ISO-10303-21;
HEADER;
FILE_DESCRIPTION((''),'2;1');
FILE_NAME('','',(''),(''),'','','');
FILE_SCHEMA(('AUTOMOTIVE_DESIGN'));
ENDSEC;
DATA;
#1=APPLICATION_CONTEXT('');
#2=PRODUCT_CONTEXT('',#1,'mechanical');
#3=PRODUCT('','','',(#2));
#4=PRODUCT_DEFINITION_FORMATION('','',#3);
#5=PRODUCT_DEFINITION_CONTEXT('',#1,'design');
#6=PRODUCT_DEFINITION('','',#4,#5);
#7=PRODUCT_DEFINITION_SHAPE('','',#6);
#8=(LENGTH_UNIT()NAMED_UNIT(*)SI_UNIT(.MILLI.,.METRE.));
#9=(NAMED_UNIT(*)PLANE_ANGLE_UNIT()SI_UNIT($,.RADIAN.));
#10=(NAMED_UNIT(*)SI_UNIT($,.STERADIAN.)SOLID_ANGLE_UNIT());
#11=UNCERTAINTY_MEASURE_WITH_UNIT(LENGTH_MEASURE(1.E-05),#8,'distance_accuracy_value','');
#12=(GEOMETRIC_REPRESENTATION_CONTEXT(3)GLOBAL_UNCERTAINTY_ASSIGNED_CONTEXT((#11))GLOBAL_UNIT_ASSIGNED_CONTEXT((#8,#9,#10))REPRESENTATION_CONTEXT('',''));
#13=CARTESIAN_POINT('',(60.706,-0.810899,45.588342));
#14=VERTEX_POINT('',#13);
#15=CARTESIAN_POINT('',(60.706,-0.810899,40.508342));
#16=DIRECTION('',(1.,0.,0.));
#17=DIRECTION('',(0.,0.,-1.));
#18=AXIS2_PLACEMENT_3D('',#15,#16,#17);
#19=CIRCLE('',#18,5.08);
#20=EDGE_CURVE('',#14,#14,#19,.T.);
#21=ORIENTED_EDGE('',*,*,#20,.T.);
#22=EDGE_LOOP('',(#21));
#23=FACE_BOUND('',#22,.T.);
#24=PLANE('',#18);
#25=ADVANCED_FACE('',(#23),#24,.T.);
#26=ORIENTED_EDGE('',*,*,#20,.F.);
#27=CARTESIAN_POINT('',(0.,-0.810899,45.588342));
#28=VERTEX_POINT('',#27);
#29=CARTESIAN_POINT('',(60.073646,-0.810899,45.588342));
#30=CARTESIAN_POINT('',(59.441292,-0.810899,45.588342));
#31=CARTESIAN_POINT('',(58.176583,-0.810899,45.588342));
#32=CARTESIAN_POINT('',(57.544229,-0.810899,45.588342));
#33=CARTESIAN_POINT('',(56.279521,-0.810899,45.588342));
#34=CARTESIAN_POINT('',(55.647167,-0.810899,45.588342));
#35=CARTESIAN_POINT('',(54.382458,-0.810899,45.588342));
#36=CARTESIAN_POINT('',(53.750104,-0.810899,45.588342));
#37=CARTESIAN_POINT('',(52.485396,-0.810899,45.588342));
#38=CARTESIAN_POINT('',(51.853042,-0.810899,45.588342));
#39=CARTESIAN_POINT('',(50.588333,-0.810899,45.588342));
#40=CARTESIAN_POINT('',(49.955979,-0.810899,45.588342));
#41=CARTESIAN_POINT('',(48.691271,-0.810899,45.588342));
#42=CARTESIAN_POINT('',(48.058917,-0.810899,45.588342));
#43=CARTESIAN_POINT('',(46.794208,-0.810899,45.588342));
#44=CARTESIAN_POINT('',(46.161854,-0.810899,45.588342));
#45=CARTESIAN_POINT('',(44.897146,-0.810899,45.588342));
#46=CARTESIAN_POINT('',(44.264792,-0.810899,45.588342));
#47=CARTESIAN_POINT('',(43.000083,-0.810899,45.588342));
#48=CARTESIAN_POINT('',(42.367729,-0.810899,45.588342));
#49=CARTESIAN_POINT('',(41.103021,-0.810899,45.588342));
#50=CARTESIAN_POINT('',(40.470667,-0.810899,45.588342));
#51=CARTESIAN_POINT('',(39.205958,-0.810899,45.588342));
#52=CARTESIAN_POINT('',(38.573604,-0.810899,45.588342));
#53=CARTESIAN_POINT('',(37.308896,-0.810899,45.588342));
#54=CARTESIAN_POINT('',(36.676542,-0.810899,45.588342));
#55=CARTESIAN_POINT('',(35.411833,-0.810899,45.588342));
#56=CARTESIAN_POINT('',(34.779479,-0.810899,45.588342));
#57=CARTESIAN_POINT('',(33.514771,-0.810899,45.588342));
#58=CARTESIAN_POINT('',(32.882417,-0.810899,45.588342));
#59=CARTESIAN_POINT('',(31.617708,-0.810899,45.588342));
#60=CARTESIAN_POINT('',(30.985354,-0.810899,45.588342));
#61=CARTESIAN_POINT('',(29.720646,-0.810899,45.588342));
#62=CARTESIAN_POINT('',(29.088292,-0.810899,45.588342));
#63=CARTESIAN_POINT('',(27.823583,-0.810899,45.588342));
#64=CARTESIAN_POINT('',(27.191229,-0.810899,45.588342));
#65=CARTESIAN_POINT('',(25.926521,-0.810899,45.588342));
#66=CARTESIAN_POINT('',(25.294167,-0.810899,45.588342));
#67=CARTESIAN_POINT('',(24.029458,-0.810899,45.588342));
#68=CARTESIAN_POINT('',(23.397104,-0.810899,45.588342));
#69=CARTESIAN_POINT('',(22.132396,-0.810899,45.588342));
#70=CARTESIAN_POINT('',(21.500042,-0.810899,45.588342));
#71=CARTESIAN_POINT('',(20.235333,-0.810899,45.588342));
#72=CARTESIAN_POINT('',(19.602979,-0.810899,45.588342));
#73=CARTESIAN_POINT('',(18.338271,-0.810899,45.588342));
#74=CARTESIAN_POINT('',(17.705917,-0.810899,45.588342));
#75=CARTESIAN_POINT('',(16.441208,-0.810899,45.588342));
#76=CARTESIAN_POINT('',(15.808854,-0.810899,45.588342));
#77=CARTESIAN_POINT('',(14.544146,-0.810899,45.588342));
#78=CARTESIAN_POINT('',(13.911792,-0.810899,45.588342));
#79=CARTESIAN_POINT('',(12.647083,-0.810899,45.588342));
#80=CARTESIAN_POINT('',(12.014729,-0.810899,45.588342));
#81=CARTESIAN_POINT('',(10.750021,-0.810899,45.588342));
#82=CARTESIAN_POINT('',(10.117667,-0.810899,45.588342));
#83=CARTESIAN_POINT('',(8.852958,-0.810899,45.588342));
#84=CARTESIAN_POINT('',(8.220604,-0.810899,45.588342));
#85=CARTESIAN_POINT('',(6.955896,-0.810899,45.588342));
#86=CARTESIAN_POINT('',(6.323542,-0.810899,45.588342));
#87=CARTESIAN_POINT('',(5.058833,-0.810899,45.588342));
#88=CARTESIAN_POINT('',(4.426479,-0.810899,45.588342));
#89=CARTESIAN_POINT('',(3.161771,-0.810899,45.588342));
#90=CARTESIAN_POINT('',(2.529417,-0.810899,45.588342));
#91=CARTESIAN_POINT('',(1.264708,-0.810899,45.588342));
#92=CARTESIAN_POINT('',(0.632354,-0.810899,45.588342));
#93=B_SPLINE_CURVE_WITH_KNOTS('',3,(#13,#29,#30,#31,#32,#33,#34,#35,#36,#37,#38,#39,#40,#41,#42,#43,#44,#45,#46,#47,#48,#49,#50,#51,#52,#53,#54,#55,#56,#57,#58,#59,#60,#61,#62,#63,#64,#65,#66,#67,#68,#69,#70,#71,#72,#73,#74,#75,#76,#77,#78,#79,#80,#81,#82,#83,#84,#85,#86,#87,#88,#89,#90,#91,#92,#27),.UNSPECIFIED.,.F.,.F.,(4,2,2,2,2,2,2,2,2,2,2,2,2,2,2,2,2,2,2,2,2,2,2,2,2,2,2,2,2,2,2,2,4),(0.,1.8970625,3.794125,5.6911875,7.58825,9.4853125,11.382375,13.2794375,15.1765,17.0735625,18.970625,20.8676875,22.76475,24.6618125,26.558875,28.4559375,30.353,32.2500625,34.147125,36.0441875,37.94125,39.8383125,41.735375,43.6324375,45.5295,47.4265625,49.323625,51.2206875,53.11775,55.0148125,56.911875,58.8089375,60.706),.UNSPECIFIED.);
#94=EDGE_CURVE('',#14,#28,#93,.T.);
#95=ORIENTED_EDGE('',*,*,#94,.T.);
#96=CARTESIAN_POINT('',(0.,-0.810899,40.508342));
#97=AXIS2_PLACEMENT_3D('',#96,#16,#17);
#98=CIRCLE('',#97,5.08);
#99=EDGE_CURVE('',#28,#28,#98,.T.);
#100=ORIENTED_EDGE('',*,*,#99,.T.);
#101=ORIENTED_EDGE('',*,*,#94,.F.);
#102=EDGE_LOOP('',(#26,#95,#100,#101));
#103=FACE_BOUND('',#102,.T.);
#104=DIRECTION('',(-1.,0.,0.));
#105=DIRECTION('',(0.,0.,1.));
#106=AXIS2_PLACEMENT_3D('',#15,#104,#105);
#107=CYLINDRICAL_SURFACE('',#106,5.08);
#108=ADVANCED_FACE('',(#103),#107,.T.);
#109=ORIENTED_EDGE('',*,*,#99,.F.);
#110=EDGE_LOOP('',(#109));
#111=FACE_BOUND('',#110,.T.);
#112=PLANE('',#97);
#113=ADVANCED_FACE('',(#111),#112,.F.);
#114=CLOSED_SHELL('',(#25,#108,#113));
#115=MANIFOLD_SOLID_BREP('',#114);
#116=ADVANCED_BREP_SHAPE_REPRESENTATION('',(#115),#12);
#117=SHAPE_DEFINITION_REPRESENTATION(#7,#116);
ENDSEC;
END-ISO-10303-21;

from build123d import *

# Parameters (mm, degrees)
SKETCH1_R           = 5.08
BOSS_EXTRUDE2_DEPTH = 60.706


with BuildPart() as part:
    # Sketch1 → Boss-Extrude2 (new body)
    with BuildSketch(Plane(origin=(0, 0, 0), x_dir=(0, 0, -1), z_dir=(1, 0, 0))):
        with Locations(Location((-40.508342014, -0.810898936, 0), (0, 0, 180))):
            Circle(SKETCH1_R)
    extrude(amount=BOSS_EXTRUDE2_DEPTH)


solid = part.part
